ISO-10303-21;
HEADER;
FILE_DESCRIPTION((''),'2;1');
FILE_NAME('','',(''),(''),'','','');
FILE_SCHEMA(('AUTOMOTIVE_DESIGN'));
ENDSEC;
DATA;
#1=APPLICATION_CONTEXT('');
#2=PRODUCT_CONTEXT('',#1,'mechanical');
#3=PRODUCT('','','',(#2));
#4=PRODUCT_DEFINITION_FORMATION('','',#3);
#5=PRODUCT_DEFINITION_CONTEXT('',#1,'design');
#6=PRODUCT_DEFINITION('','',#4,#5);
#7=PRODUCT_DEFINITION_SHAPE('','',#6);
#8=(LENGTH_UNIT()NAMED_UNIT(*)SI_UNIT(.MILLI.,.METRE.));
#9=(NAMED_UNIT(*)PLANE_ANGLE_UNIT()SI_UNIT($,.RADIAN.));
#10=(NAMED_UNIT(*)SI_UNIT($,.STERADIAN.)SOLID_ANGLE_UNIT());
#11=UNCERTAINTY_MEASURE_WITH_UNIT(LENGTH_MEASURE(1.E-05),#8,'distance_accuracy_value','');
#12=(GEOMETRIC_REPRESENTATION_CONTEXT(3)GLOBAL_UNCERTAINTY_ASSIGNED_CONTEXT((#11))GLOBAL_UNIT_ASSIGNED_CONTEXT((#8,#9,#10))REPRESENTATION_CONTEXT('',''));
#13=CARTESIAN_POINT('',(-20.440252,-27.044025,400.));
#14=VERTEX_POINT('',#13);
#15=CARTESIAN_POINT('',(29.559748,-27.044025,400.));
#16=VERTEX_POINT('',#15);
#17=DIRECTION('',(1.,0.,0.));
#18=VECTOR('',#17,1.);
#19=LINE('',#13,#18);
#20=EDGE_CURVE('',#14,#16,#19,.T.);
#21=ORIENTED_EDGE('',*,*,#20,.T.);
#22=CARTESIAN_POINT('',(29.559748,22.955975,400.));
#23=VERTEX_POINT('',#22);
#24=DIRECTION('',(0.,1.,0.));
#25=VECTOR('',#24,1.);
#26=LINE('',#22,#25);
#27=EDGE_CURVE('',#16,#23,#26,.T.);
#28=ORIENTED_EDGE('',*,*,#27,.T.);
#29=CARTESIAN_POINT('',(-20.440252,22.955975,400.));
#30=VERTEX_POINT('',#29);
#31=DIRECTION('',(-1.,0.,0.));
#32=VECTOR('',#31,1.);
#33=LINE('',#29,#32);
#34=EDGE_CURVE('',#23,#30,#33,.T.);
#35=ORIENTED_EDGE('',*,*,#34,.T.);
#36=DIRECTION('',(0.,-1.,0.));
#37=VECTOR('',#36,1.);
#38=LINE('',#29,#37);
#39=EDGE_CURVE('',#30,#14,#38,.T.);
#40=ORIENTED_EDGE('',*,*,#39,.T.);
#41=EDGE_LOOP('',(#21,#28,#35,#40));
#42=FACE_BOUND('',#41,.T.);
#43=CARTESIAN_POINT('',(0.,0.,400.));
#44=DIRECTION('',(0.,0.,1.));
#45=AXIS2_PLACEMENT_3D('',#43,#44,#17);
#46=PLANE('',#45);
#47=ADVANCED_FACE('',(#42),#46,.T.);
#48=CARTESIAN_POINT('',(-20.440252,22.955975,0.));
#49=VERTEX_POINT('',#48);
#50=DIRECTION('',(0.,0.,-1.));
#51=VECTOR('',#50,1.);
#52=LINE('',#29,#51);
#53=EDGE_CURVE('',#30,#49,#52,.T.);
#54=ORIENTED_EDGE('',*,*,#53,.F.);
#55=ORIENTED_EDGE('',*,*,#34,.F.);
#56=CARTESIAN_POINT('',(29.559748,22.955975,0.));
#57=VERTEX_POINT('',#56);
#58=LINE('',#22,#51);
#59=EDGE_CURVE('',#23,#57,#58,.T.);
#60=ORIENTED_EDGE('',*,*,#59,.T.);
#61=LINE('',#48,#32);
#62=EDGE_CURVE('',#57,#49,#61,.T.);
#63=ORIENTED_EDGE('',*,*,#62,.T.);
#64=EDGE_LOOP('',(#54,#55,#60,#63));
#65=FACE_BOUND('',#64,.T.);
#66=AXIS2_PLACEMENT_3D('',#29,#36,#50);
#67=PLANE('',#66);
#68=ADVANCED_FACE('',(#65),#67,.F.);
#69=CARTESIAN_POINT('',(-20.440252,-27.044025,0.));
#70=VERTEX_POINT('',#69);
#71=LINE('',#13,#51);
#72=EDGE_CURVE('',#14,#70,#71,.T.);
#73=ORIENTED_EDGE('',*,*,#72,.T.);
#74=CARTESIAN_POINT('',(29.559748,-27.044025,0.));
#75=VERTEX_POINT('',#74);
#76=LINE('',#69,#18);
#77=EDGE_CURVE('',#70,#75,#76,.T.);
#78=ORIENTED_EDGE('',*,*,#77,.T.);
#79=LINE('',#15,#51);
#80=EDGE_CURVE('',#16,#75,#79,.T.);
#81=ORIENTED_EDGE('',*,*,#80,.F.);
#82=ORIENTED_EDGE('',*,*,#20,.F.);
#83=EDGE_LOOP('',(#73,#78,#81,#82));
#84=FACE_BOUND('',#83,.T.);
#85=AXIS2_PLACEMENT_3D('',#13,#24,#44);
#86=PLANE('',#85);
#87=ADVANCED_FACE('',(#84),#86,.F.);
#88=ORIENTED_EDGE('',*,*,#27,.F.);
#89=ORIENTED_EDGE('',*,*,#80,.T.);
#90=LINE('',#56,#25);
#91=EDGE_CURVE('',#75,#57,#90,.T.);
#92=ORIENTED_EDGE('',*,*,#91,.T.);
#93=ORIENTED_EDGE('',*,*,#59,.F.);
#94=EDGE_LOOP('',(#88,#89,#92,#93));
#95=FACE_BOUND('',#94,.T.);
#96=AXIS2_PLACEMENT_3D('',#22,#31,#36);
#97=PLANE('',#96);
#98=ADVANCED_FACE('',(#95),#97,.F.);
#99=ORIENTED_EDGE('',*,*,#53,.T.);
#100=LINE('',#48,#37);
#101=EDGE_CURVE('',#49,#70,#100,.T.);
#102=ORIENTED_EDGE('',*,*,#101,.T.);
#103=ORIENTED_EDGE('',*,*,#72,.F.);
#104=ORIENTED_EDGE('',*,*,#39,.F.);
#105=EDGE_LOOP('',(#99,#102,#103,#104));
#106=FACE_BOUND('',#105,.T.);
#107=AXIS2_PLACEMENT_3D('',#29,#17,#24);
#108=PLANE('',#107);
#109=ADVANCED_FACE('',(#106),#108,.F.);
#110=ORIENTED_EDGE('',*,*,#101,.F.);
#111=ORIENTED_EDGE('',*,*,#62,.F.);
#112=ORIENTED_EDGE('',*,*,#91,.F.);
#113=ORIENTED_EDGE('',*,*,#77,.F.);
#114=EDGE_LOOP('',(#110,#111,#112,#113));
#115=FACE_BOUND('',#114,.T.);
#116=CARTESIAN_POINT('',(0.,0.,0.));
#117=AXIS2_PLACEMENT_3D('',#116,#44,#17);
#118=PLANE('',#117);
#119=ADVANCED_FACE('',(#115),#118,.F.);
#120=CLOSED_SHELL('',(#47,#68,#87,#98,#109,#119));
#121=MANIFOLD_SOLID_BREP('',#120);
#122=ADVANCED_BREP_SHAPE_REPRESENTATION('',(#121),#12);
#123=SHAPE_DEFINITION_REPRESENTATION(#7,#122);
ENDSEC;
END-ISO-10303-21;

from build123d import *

# Parameters (mm, degrees)
CROQUIS1_W              = 50
CROQUIS1_H              = 50
SALIENTE_EXTRUIR1_DEPTH = 400


with BuildPart() as part:
    # Croquis1 → Saliente-Extruir1 (new body)
    with BuildSketch(Plane.XY):
        with Locations((4.559748428, -2.044025157)):
            Rectangle(CROQUIS1_W, CROQUIS1_H)
    extrude(amount=SALIENTE_EXTRUIR1_DEPTH)


solid = part.part
